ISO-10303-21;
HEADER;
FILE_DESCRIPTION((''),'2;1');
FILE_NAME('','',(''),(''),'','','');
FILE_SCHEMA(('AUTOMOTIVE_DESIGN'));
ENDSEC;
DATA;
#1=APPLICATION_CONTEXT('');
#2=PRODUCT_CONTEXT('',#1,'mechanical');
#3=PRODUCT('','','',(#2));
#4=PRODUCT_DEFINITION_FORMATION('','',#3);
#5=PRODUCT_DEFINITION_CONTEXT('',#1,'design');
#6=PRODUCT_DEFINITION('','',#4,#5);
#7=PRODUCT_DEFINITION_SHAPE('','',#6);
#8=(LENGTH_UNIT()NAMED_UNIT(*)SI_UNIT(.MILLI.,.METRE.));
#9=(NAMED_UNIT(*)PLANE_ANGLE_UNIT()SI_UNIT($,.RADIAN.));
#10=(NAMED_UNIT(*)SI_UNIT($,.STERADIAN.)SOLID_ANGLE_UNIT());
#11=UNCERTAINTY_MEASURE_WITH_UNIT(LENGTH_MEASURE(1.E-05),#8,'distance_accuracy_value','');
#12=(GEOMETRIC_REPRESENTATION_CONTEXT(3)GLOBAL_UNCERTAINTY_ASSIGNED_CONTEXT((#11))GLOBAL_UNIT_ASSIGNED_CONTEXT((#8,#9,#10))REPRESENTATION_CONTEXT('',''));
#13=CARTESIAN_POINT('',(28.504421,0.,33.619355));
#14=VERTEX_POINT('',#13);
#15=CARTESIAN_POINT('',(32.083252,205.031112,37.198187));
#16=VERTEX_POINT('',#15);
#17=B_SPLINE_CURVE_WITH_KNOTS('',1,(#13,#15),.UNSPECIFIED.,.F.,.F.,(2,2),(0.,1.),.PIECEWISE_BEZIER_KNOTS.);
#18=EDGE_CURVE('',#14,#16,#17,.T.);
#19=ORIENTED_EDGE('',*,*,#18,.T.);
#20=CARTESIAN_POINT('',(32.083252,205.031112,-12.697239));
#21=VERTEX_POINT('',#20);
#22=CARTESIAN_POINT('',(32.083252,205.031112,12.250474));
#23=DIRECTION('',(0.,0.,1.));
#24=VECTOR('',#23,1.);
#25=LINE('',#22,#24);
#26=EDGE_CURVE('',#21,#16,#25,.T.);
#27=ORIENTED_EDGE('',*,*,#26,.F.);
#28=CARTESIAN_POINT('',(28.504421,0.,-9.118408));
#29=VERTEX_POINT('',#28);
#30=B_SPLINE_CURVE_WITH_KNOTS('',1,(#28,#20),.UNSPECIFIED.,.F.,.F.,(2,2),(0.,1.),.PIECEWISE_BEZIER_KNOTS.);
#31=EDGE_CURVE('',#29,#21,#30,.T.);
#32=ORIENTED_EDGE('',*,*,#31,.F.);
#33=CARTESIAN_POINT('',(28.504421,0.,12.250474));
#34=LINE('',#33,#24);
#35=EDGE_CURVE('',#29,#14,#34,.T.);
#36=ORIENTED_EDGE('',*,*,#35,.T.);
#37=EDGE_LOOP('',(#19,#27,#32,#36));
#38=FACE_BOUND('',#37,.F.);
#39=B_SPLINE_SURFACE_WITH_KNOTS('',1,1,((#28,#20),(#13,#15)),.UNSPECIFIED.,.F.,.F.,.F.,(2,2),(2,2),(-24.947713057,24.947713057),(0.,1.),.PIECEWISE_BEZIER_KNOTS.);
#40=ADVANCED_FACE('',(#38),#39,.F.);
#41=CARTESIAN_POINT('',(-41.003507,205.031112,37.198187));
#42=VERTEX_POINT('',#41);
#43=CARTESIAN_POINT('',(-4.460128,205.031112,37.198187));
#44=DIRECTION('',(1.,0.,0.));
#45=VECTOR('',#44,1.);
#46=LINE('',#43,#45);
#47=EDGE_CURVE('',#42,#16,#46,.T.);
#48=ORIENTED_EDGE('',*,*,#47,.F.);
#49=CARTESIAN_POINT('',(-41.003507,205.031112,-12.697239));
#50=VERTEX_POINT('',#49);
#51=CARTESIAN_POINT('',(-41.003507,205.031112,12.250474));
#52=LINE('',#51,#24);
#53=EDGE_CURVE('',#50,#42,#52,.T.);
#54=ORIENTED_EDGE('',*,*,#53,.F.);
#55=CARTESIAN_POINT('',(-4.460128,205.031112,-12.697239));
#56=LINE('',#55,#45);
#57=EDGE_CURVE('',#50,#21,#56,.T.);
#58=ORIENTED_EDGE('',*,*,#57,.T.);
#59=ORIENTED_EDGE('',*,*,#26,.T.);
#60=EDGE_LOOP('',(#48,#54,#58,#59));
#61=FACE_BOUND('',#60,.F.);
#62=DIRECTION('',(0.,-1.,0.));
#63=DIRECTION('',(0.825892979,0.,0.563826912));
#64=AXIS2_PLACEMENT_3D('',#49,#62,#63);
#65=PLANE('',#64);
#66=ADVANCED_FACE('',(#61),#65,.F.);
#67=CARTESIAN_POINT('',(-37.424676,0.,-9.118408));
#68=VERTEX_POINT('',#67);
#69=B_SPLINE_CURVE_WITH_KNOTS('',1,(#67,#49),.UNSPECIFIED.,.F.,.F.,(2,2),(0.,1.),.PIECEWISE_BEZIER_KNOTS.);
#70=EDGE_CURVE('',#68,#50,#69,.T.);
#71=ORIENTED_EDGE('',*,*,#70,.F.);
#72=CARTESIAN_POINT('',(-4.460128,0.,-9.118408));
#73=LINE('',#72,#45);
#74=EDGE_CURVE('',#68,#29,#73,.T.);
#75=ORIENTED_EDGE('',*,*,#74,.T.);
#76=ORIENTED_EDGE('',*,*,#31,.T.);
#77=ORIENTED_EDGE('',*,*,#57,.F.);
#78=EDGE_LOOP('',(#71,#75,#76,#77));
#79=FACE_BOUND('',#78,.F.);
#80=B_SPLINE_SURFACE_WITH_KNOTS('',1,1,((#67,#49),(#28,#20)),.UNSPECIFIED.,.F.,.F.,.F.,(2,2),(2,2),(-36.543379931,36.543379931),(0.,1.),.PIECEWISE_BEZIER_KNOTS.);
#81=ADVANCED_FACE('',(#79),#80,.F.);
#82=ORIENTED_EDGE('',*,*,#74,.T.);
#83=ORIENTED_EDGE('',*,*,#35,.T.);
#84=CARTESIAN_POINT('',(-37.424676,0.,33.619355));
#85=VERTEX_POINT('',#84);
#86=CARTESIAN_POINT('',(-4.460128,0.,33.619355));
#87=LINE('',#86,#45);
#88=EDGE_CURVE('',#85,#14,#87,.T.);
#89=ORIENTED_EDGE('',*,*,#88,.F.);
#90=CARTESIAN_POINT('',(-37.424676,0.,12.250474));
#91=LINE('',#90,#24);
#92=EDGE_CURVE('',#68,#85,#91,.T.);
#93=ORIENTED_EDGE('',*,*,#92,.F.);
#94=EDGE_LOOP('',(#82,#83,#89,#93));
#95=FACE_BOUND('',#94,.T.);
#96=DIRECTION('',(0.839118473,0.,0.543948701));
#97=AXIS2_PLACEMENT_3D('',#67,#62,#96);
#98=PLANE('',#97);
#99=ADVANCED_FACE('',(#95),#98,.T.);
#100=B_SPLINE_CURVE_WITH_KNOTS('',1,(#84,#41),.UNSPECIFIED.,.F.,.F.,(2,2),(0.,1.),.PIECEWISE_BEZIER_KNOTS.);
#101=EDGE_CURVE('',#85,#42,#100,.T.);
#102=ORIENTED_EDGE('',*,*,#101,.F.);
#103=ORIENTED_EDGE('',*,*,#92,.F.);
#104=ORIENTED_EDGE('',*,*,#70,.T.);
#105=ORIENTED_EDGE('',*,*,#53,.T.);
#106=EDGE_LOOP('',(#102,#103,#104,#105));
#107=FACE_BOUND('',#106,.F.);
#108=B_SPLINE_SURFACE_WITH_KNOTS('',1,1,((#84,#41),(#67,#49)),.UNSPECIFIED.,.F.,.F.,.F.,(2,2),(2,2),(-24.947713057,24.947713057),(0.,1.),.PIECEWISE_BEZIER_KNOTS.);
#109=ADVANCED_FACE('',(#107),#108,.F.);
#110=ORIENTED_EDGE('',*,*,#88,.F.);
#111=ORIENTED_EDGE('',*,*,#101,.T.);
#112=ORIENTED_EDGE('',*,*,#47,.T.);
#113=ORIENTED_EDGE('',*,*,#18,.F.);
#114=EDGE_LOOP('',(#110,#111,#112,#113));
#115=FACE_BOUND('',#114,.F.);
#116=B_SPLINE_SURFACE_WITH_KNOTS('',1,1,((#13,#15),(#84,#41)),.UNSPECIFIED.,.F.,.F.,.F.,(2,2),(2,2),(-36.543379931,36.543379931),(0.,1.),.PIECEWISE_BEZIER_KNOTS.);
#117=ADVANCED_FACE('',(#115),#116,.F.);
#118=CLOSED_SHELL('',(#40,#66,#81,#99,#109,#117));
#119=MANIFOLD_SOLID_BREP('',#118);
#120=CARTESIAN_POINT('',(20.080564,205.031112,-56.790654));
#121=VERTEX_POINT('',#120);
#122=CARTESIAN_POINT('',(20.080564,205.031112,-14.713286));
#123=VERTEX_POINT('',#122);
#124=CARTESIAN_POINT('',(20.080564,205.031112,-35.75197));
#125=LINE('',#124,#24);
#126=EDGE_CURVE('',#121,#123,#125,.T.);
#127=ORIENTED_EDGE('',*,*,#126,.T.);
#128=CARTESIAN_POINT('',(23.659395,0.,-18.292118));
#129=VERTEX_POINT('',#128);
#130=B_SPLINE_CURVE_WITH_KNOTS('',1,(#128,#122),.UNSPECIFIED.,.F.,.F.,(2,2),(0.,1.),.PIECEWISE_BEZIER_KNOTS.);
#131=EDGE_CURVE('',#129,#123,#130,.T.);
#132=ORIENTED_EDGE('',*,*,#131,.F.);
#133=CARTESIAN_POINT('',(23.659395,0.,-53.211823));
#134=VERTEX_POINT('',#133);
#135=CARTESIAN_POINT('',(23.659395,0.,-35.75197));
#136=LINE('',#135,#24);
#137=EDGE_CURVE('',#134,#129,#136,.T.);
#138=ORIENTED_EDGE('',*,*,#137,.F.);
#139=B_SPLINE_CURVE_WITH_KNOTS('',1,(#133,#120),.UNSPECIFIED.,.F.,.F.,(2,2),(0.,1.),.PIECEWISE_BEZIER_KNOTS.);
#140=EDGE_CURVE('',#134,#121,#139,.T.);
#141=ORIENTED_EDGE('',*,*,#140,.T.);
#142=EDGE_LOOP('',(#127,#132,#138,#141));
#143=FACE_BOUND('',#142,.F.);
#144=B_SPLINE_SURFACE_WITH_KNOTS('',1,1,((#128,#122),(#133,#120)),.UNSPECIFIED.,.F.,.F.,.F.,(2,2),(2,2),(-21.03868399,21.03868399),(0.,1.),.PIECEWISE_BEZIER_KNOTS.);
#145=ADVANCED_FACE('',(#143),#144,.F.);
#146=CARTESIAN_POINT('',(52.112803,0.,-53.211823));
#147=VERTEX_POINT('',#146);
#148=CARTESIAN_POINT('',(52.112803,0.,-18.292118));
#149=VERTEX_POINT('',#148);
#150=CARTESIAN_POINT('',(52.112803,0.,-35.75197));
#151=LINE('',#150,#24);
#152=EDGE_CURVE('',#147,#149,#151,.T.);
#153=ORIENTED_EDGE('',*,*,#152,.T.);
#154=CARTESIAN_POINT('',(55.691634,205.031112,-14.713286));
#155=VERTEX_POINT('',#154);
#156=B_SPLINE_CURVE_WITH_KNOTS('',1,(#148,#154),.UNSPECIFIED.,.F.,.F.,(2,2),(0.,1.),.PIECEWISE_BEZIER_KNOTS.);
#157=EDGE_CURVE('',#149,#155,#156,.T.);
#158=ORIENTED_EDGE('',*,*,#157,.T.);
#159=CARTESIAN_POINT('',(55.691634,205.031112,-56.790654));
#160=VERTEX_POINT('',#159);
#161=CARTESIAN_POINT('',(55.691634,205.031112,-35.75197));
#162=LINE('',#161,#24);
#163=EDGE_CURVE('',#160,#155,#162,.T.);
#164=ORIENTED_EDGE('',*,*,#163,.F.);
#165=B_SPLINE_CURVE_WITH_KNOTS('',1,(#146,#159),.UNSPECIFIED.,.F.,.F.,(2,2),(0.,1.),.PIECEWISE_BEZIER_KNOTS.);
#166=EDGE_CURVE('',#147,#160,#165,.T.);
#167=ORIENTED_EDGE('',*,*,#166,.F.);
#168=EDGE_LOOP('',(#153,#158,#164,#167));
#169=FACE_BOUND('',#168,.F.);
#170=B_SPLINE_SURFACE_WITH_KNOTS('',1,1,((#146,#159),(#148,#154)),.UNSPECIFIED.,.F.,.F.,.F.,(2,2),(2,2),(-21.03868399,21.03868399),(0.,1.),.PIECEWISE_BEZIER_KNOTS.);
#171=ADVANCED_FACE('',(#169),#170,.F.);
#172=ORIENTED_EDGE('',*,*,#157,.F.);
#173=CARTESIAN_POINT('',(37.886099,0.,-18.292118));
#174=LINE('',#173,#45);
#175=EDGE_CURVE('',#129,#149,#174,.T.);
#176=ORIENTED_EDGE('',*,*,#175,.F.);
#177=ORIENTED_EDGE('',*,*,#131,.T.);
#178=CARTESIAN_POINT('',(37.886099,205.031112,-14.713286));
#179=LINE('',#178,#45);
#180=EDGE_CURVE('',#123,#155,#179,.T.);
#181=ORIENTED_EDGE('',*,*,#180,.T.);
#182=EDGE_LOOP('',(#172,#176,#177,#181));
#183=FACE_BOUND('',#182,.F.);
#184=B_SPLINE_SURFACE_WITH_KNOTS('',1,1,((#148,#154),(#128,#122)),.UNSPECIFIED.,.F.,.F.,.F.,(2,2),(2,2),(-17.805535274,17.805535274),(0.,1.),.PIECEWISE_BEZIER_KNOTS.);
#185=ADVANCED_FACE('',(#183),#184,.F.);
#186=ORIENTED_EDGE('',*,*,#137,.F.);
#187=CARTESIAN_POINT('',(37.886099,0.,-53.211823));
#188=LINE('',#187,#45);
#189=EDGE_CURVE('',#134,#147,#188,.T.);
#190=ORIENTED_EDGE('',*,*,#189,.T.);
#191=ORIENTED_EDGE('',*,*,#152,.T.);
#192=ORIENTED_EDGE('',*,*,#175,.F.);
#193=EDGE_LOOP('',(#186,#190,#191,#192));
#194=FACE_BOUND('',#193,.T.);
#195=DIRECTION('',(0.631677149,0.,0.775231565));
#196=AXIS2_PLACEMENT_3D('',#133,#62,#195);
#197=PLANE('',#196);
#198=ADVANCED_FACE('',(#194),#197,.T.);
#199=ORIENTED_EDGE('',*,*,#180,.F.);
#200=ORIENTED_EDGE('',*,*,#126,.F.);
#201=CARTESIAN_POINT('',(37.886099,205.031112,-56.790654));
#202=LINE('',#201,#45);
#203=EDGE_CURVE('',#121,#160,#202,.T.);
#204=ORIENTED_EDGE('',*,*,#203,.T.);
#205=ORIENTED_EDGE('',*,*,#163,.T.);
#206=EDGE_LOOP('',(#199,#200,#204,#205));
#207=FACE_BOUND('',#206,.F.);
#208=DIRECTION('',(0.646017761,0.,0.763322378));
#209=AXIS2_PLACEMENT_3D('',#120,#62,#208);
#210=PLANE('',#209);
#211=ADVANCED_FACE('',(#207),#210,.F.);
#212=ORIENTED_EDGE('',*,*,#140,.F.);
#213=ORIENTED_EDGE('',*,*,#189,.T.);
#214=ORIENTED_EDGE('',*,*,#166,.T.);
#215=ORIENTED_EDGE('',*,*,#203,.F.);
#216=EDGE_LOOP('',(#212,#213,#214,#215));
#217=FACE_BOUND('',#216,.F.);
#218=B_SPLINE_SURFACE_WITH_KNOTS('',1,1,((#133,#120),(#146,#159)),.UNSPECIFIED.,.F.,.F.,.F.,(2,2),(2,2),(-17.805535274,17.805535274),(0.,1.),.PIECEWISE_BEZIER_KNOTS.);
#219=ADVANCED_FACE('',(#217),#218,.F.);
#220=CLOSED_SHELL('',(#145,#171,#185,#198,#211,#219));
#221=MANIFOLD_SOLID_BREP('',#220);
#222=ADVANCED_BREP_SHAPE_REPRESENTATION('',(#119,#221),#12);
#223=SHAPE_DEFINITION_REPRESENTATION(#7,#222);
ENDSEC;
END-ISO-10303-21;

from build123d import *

# Parameters (mm, degrees)
F0_W     = 65.9290971234
F0_H     = 42.737763375
F1_DEPTH = 205.0311118364
F1_TAPER = -1
F0_W_2   = 28.4534078091
F0_H_2   = 34.9197052419


with BuildPart() as f1:
    # F0 (on Front) → F1 (new body)
    with BuildSketch(Plane.XZ):
        with Locations((-4.4601275586, 12.2504737228)):
            Rectangle(F0_W, F0_H)
    extrude(amount=-F1_DEPTH, taper=F1_TAPER)


with BuildPart() as f1b:
    # F0 (on Front) → F1, piece 2 (new body)
    with BuildSketch(Plane.XZ):
        with Locations((37.8860989586, -35.7519704849)):
            Rectangle(F0_W_2, F0_H_2)
    extrude(amount=-F1_DEPTH, taper=F1_TAPER)


solid = Compound([f1.part, f1b.part])
